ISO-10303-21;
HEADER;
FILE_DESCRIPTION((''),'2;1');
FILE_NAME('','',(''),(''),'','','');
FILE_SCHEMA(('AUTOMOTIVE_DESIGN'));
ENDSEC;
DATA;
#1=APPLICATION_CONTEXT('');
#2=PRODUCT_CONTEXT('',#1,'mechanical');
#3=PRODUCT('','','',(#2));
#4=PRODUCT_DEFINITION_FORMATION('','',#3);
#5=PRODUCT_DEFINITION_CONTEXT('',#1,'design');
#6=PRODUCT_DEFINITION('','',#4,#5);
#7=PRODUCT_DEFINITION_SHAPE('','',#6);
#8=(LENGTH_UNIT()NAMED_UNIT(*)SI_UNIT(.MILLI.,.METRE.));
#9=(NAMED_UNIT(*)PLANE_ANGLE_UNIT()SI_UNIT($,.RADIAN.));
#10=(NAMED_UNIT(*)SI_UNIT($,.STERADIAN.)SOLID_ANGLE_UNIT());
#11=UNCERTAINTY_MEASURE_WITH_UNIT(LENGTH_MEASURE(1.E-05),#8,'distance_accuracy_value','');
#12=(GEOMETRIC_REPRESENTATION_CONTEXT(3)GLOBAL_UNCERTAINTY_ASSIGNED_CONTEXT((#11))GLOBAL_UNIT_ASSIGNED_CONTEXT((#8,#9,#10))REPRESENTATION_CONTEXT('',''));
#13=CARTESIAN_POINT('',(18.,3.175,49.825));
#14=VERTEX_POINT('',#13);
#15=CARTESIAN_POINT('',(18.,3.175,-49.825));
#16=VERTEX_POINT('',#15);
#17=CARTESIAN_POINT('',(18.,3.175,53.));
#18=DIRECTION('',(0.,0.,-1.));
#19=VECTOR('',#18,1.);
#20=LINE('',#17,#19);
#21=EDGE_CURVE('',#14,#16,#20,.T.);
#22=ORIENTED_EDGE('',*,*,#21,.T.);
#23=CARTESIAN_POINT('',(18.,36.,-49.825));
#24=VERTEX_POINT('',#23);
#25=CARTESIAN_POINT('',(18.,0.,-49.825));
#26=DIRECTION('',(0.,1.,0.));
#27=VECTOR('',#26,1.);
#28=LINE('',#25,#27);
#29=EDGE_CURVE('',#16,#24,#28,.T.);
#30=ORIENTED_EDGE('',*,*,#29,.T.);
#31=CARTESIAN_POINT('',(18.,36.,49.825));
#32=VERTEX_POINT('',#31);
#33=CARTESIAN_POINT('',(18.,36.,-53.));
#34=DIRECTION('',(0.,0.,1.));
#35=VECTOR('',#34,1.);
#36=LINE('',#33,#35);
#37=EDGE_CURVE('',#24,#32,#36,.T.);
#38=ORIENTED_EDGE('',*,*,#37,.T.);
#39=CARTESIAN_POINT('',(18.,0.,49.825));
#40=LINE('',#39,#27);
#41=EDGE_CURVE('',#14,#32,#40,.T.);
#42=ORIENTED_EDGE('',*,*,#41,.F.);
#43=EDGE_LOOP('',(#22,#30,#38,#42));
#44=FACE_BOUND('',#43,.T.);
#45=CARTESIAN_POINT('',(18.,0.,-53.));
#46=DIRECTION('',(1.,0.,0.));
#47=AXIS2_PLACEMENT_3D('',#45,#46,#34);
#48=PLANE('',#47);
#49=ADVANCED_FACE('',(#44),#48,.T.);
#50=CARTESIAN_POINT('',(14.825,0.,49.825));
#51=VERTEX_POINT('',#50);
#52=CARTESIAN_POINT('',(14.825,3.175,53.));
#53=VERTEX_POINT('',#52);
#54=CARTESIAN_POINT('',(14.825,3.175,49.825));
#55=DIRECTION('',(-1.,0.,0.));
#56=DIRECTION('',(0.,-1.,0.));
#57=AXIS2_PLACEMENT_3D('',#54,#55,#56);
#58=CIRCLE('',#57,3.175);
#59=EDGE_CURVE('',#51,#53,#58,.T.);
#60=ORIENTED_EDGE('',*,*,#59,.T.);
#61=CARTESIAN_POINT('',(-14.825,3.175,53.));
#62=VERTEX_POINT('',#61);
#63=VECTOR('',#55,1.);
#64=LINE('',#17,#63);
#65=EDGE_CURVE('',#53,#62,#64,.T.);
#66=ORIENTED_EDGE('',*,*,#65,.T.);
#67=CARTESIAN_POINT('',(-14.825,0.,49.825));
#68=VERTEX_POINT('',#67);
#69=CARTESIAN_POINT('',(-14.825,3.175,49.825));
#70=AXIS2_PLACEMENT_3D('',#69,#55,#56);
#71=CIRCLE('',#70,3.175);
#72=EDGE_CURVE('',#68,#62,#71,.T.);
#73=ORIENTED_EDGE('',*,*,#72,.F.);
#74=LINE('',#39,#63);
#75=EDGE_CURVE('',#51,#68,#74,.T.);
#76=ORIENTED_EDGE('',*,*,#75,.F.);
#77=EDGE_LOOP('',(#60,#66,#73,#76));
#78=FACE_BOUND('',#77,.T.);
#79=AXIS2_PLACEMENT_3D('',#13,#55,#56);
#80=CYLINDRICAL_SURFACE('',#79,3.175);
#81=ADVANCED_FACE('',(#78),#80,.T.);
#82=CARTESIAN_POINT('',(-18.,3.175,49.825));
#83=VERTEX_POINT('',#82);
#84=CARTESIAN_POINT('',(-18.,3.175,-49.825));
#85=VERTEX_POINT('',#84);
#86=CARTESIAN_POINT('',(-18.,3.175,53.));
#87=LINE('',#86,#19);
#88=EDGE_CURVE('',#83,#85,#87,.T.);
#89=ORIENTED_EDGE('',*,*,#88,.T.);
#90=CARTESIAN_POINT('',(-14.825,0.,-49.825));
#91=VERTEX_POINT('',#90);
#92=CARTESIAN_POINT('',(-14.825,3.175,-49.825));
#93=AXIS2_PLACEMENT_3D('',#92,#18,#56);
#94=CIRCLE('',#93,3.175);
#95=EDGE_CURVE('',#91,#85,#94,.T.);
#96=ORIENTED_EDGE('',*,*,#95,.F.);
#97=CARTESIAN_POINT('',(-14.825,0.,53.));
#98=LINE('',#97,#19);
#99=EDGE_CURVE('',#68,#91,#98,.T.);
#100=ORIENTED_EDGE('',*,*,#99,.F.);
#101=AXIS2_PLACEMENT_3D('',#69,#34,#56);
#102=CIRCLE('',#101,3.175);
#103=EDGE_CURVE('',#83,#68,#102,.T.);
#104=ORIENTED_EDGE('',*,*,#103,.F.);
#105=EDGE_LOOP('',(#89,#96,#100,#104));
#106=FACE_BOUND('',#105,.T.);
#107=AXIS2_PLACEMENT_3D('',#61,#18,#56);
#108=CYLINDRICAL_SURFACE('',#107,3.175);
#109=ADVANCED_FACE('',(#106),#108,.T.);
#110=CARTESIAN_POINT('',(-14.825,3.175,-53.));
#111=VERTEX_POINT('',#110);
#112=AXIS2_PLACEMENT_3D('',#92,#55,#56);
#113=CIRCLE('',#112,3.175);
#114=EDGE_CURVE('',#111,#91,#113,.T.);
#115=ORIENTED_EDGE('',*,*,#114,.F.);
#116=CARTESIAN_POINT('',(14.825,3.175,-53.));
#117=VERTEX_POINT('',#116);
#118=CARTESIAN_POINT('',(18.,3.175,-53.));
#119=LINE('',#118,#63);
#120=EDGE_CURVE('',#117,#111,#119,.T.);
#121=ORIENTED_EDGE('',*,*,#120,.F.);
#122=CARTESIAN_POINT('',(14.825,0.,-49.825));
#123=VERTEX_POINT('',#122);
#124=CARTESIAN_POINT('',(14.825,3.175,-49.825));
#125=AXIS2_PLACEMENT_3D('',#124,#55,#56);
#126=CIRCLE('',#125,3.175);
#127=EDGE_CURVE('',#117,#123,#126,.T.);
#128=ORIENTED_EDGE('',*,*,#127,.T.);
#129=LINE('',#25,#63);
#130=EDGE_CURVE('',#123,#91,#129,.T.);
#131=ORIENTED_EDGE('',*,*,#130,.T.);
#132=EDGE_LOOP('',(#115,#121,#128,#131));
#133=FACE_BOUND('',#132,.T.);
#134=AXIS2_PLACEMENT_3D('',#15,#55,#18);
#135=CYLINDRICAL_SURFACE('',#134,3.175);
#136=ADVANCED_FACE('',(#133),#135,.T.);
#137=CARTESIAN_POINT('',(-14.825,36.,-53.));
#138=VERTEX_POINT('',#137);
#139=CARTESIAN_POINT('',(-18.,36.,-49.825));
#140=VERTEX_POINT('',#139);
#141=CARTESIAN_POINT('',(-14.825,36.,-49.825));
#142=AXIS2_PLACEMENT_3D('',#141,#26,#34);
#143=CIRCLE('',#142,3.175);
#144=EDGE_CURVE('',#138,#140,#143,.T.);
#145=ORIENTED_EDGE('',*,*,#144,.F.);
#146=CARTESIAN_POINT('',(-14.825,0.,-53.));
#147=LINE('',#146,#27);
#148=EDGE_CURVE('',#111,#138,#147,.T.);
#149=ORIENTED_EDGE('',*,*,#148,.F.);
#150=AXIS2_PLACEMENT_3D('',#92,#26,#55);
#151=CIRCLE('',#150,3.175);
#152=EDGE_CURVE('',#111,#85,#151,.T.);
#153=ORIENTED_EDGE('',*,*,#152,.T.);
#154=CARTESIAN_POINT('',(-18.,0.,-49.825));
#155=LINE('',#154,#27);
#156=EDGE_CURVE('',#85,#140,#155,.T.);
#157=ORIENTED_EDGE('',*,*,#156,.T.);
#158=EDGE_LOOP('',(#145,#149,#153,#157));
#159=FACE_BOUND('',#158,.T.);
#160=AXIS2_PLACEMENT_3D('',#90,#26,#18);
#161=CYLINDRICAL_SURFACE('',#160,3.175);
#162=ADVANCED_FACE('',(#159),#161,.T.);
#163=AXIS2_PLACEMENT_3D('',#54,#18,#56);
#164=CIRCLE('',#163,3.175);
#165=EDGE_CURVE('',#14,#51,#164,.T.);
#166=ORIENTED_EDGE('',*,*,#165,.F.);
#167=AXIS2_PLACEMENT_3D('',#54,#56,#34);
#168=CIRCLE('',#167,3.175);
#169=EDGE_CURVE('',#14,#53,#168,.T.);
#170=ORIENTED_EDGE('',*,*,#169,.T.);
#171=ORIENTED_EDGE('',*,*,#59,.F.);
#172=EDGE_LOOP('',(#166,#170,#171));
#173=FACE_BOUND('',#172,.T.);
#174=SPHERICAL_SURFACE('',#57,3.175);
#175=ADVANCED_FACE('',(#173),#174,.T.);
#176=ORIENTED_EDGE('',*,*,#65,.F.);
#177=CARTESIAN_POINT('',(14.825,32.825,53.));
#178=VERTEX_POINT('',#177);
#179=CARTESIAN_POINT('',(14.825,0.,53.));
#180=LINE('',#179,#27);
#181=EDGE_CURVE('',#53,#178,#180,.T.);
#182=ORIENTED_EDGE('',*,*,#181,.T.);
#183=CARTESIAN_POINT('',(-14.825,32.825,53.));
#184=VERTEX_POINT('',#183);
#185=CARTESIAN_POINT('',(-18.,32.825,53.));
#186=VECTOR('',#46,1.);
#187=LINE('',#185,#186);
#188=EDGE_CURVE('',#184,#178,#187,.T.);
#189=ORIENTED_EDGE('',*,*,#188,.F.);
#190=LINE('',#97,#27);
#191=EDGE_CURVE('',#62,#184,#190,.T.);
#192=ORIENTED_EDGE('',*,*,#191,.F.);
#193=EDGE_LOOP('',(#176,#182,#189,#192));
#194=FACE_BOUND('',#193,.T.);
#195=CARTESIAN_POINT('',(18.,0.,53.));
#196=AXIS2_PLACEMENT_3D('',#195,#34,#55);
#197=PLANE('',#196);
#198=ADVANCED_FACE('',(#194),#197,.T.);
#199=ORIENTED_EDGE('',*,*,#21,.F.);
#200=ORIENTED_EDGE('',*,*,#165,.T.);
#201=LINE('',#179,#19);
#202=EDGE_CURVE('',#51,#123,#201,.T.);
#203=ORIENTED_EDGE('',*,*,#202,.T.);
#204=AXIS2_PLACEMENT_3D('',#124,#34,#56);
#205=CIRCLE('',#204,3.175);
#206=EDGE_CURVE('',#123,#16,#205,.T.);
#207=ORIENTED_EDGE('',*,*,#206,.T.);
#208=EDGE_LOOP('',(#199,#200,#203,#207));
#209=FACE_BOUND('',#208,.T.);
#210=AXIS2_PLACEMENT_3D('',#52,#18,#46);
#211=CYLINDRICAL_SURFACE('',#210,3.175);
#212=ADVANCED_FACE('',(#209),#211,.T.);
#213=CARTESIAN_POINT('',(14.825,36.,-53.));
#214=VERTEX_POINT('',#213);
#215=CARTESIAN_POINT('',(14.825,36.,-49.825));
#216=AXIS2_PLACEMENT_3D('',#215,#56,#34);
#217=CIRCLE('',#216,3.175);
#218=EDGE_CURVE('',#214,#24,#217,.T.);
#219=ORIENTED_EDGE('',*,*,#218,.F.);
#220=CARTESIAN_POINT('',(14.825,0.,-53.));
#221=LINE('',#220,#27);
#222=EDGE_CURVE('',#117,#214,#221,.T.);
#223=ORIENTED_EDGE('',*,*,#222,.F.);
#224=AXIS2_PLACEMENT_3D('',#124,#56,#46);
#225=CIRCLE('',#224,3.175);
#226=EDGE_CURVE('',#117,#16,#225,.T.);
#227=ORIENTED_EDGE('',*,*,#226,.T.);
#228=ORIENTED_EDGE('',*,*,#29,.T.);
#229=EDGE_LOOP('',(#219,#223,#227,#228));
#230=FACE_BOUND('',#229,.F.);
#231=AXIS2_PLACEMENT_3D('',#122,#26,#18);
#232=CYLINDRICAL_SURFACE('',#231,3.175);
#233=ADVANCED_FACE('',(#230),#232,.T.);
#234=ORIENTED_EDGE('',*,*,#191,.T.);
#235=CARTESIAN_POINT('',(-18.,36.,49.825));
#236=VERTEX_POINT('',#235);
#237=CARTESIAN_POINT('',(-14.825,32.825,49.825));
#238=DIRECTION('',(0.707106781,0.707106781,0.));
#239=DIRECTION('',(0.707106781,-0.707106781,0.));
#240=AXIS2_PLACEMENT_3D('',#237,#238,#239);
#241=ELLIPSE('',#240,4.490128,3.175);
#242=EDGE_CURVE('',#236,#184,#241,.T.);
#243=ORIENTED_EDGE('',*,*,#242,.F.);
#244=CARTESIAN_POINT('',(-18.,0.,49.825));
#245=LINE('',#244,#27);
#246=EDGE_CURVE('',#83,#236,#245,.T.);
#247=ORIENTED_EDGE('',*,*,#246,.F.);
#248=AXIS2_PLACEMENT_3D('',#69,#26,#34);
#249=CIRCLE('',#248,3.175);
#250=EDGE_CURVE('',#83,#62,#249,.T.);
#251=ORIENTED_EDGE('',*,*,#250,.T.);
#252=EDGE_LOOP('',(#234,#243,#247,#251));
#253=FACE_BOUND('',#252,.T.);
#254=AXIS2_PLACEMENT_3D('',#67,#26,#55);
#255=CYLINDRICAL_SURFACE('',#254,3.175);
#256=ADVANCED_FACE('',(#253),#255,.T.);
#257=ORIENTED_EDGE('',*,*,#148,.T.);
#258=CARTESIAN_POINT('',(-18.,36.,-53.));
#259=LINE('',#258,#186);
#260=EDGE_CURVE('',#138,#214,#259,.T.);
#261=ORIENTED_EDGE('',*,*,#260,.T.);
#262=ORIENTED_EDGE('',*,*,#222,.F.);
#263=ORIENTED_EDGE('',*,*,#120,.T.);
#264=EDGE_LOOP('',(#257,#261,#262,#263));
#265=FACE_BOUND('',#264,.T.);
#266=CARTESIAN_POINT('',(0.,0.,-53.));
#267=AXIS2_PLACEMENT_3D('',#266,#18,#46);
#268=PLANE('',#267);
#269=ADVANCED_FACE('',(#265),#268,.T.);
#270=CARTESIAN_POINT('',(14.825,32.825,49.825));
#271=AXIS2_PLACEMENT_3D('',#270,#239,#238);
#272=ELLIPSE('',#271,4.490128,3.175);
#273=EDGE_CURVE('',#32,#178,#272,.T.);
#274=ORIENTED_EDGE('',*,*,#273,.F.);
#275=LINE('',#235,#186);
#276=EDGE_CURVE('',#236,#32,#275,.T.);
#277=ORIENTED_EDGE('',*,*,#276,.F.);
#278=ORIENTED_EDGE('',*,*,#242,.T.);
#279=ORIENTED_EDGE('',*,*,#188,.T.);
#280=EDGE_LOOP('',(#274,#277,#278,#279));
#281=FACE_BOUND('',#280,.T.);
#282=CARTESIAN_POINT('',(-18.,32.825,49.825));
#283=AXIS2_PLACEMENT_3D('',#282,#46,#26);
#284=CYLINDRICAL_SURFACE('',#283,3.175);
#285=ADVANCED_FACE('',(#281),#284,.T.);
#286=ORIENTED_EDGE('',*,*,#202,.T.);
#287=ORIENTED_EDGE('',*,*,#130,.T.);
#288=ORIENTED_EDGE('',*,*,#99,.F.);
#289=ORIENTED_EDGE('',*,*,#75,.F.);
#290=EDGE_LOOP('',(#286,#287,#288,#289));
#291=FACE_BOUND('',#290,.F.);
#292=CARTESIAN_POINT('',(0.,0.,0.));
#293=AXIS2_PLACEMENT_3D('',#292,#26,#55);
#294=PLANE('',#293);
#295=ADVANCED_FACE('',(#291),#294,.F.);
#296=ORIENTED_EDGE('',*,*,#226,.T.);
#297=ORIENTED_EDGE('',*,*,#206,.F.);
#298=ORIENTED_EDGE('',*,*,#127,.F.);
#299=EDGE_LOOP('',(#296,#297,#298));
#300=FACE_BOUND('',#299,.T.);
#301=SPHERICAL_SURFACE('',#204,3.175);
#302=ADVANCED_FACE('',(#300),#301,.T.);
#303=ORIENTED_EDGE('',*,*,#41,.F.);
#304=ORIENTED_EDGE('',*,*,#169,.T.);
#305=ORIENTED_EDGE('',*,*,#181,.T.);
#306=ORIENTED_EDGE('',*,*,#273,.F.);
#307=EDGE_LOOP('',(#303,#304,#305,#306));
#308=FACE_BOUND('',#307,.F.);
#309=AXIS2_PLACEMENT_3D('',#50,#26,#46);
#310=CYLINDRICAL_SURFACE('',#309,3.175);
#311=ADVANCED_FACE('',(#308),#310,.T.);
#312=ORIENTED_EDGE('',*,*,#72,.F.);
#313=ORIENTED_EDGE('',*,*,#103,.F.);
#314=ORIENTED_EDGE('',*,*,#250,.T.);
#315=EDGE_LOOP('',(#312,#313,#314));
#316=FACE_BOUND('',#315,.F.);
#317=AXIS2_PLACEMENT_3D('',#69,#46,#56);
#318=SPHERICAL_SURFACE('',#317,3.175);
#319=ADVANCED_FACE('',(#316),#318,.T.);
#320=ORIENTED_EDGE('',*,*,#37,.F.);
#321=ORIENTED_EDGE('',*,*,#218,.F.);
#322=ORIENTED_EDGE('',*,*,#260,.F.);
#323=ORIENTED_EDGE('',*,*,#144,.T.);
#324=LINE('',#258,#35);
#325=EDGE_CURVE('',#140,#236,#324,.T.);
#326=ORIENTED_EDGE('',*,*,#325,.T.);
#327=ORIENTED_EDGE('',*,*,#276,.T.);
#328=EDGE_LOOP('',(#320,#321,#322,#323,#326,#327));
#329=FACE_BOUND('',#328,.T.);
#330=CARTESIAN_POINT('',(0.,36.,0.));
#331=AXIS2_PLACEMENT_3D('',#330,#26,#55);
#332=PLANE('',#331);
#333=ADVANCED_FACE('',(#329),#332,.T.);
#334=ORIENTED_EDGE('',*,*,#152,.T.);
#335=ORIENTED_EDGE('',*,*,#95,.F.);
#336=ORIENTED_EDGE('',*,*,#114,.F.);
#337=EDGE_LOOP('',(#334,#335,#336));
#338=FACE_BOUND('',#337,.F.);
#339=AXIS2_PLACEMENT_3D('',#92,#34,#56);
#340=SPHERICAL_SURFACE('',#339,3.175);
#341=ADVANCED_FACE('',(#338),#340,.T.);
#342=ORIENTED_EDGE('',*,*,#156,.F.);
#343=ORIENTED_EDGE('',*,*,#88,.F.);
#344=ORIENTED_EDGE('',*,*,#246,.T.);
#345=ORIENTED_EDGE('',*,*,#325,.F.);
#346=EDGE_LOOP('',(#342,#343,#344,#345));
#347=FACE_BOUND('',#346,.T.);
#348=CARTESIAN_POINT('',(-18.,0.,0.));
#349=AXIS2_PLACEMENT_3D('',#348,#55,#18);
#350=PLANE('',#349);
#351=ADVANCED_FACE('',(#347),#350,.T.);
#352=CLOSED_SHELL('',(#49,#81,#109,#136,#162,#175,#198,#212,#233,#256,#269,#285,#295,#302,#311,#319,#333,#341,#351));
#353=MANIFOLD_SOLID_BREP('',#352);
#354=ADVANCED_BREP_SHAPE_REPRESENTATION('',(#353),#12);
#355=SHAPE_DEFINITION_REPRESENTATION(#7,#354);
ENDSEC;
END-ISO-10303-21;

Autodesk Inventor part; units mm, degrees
ref_plane "YZ Plane" through (0, 0, 0) normal (1, 0, 0) x (0, 1, 0)
ref_plane "XZ Plane" through (0, 0, 0) normal (0, 1, 0) x (-1, 0, 0)
ref_plane "XY Plane" through (0, 0, 0) normal (0, 0, 1) x (1, 0, 0)
sketch "Sketch1" plane through (0, 0, 0) normal (0, 1, 0) x (-1, 0, 0)
  line L0 (0, -74.2) -> (0, 74.2) projected
  line L1 (-25.2, 0) -> (25.2, 0) projected
  line L2 (25.2, 0) -> (-25.2, 0) projected
  line L3 (0, -74.2) -> (0, 74.2) projected
  line L4 (18, -53) -> (-18, -53)
  line L5 (-18, -53) -> (-18, 53)
  line L6 (-18, 53) -> (18, 53)
  line L7 (18, 53) -> (18, -53)
  point P0 (0, 0)
  dimension "d0" = 36
  dimension "d1" = 106
extrude "Extrusion1" add sketch "Sketch1" along normal blind 36
fillet "Fillet1" radius 3.175 9 edges at (0, 36, 53) (0, 0, 53) (18, 0, 0) (-18, 0, 0) (-18, 18, 53) (18, 18, 53) (0, 0, -53) (-18, 18, -53) (18, 18, -53)
sketch "Sketch2" plane through (0, 36, 0) normal (0, 1, 0) x (1, 0, 0)
  line L0 (-9.0879, 39.1401) -> (9.0879, 39.1401) construction
  line L1 (9.0879, 39.1401) -> (9.0879, -37.9009) construction
  line L2 (9.0879, -37.9009) -> (-9.0879, -37.9009) construction
  line L3 (-9.0879, -37.9009) -> (-9.0879, 39.1401) construction
  point P0 (0, 0)
properties part number "G5_50C_4S_2500mah_LiPo"
